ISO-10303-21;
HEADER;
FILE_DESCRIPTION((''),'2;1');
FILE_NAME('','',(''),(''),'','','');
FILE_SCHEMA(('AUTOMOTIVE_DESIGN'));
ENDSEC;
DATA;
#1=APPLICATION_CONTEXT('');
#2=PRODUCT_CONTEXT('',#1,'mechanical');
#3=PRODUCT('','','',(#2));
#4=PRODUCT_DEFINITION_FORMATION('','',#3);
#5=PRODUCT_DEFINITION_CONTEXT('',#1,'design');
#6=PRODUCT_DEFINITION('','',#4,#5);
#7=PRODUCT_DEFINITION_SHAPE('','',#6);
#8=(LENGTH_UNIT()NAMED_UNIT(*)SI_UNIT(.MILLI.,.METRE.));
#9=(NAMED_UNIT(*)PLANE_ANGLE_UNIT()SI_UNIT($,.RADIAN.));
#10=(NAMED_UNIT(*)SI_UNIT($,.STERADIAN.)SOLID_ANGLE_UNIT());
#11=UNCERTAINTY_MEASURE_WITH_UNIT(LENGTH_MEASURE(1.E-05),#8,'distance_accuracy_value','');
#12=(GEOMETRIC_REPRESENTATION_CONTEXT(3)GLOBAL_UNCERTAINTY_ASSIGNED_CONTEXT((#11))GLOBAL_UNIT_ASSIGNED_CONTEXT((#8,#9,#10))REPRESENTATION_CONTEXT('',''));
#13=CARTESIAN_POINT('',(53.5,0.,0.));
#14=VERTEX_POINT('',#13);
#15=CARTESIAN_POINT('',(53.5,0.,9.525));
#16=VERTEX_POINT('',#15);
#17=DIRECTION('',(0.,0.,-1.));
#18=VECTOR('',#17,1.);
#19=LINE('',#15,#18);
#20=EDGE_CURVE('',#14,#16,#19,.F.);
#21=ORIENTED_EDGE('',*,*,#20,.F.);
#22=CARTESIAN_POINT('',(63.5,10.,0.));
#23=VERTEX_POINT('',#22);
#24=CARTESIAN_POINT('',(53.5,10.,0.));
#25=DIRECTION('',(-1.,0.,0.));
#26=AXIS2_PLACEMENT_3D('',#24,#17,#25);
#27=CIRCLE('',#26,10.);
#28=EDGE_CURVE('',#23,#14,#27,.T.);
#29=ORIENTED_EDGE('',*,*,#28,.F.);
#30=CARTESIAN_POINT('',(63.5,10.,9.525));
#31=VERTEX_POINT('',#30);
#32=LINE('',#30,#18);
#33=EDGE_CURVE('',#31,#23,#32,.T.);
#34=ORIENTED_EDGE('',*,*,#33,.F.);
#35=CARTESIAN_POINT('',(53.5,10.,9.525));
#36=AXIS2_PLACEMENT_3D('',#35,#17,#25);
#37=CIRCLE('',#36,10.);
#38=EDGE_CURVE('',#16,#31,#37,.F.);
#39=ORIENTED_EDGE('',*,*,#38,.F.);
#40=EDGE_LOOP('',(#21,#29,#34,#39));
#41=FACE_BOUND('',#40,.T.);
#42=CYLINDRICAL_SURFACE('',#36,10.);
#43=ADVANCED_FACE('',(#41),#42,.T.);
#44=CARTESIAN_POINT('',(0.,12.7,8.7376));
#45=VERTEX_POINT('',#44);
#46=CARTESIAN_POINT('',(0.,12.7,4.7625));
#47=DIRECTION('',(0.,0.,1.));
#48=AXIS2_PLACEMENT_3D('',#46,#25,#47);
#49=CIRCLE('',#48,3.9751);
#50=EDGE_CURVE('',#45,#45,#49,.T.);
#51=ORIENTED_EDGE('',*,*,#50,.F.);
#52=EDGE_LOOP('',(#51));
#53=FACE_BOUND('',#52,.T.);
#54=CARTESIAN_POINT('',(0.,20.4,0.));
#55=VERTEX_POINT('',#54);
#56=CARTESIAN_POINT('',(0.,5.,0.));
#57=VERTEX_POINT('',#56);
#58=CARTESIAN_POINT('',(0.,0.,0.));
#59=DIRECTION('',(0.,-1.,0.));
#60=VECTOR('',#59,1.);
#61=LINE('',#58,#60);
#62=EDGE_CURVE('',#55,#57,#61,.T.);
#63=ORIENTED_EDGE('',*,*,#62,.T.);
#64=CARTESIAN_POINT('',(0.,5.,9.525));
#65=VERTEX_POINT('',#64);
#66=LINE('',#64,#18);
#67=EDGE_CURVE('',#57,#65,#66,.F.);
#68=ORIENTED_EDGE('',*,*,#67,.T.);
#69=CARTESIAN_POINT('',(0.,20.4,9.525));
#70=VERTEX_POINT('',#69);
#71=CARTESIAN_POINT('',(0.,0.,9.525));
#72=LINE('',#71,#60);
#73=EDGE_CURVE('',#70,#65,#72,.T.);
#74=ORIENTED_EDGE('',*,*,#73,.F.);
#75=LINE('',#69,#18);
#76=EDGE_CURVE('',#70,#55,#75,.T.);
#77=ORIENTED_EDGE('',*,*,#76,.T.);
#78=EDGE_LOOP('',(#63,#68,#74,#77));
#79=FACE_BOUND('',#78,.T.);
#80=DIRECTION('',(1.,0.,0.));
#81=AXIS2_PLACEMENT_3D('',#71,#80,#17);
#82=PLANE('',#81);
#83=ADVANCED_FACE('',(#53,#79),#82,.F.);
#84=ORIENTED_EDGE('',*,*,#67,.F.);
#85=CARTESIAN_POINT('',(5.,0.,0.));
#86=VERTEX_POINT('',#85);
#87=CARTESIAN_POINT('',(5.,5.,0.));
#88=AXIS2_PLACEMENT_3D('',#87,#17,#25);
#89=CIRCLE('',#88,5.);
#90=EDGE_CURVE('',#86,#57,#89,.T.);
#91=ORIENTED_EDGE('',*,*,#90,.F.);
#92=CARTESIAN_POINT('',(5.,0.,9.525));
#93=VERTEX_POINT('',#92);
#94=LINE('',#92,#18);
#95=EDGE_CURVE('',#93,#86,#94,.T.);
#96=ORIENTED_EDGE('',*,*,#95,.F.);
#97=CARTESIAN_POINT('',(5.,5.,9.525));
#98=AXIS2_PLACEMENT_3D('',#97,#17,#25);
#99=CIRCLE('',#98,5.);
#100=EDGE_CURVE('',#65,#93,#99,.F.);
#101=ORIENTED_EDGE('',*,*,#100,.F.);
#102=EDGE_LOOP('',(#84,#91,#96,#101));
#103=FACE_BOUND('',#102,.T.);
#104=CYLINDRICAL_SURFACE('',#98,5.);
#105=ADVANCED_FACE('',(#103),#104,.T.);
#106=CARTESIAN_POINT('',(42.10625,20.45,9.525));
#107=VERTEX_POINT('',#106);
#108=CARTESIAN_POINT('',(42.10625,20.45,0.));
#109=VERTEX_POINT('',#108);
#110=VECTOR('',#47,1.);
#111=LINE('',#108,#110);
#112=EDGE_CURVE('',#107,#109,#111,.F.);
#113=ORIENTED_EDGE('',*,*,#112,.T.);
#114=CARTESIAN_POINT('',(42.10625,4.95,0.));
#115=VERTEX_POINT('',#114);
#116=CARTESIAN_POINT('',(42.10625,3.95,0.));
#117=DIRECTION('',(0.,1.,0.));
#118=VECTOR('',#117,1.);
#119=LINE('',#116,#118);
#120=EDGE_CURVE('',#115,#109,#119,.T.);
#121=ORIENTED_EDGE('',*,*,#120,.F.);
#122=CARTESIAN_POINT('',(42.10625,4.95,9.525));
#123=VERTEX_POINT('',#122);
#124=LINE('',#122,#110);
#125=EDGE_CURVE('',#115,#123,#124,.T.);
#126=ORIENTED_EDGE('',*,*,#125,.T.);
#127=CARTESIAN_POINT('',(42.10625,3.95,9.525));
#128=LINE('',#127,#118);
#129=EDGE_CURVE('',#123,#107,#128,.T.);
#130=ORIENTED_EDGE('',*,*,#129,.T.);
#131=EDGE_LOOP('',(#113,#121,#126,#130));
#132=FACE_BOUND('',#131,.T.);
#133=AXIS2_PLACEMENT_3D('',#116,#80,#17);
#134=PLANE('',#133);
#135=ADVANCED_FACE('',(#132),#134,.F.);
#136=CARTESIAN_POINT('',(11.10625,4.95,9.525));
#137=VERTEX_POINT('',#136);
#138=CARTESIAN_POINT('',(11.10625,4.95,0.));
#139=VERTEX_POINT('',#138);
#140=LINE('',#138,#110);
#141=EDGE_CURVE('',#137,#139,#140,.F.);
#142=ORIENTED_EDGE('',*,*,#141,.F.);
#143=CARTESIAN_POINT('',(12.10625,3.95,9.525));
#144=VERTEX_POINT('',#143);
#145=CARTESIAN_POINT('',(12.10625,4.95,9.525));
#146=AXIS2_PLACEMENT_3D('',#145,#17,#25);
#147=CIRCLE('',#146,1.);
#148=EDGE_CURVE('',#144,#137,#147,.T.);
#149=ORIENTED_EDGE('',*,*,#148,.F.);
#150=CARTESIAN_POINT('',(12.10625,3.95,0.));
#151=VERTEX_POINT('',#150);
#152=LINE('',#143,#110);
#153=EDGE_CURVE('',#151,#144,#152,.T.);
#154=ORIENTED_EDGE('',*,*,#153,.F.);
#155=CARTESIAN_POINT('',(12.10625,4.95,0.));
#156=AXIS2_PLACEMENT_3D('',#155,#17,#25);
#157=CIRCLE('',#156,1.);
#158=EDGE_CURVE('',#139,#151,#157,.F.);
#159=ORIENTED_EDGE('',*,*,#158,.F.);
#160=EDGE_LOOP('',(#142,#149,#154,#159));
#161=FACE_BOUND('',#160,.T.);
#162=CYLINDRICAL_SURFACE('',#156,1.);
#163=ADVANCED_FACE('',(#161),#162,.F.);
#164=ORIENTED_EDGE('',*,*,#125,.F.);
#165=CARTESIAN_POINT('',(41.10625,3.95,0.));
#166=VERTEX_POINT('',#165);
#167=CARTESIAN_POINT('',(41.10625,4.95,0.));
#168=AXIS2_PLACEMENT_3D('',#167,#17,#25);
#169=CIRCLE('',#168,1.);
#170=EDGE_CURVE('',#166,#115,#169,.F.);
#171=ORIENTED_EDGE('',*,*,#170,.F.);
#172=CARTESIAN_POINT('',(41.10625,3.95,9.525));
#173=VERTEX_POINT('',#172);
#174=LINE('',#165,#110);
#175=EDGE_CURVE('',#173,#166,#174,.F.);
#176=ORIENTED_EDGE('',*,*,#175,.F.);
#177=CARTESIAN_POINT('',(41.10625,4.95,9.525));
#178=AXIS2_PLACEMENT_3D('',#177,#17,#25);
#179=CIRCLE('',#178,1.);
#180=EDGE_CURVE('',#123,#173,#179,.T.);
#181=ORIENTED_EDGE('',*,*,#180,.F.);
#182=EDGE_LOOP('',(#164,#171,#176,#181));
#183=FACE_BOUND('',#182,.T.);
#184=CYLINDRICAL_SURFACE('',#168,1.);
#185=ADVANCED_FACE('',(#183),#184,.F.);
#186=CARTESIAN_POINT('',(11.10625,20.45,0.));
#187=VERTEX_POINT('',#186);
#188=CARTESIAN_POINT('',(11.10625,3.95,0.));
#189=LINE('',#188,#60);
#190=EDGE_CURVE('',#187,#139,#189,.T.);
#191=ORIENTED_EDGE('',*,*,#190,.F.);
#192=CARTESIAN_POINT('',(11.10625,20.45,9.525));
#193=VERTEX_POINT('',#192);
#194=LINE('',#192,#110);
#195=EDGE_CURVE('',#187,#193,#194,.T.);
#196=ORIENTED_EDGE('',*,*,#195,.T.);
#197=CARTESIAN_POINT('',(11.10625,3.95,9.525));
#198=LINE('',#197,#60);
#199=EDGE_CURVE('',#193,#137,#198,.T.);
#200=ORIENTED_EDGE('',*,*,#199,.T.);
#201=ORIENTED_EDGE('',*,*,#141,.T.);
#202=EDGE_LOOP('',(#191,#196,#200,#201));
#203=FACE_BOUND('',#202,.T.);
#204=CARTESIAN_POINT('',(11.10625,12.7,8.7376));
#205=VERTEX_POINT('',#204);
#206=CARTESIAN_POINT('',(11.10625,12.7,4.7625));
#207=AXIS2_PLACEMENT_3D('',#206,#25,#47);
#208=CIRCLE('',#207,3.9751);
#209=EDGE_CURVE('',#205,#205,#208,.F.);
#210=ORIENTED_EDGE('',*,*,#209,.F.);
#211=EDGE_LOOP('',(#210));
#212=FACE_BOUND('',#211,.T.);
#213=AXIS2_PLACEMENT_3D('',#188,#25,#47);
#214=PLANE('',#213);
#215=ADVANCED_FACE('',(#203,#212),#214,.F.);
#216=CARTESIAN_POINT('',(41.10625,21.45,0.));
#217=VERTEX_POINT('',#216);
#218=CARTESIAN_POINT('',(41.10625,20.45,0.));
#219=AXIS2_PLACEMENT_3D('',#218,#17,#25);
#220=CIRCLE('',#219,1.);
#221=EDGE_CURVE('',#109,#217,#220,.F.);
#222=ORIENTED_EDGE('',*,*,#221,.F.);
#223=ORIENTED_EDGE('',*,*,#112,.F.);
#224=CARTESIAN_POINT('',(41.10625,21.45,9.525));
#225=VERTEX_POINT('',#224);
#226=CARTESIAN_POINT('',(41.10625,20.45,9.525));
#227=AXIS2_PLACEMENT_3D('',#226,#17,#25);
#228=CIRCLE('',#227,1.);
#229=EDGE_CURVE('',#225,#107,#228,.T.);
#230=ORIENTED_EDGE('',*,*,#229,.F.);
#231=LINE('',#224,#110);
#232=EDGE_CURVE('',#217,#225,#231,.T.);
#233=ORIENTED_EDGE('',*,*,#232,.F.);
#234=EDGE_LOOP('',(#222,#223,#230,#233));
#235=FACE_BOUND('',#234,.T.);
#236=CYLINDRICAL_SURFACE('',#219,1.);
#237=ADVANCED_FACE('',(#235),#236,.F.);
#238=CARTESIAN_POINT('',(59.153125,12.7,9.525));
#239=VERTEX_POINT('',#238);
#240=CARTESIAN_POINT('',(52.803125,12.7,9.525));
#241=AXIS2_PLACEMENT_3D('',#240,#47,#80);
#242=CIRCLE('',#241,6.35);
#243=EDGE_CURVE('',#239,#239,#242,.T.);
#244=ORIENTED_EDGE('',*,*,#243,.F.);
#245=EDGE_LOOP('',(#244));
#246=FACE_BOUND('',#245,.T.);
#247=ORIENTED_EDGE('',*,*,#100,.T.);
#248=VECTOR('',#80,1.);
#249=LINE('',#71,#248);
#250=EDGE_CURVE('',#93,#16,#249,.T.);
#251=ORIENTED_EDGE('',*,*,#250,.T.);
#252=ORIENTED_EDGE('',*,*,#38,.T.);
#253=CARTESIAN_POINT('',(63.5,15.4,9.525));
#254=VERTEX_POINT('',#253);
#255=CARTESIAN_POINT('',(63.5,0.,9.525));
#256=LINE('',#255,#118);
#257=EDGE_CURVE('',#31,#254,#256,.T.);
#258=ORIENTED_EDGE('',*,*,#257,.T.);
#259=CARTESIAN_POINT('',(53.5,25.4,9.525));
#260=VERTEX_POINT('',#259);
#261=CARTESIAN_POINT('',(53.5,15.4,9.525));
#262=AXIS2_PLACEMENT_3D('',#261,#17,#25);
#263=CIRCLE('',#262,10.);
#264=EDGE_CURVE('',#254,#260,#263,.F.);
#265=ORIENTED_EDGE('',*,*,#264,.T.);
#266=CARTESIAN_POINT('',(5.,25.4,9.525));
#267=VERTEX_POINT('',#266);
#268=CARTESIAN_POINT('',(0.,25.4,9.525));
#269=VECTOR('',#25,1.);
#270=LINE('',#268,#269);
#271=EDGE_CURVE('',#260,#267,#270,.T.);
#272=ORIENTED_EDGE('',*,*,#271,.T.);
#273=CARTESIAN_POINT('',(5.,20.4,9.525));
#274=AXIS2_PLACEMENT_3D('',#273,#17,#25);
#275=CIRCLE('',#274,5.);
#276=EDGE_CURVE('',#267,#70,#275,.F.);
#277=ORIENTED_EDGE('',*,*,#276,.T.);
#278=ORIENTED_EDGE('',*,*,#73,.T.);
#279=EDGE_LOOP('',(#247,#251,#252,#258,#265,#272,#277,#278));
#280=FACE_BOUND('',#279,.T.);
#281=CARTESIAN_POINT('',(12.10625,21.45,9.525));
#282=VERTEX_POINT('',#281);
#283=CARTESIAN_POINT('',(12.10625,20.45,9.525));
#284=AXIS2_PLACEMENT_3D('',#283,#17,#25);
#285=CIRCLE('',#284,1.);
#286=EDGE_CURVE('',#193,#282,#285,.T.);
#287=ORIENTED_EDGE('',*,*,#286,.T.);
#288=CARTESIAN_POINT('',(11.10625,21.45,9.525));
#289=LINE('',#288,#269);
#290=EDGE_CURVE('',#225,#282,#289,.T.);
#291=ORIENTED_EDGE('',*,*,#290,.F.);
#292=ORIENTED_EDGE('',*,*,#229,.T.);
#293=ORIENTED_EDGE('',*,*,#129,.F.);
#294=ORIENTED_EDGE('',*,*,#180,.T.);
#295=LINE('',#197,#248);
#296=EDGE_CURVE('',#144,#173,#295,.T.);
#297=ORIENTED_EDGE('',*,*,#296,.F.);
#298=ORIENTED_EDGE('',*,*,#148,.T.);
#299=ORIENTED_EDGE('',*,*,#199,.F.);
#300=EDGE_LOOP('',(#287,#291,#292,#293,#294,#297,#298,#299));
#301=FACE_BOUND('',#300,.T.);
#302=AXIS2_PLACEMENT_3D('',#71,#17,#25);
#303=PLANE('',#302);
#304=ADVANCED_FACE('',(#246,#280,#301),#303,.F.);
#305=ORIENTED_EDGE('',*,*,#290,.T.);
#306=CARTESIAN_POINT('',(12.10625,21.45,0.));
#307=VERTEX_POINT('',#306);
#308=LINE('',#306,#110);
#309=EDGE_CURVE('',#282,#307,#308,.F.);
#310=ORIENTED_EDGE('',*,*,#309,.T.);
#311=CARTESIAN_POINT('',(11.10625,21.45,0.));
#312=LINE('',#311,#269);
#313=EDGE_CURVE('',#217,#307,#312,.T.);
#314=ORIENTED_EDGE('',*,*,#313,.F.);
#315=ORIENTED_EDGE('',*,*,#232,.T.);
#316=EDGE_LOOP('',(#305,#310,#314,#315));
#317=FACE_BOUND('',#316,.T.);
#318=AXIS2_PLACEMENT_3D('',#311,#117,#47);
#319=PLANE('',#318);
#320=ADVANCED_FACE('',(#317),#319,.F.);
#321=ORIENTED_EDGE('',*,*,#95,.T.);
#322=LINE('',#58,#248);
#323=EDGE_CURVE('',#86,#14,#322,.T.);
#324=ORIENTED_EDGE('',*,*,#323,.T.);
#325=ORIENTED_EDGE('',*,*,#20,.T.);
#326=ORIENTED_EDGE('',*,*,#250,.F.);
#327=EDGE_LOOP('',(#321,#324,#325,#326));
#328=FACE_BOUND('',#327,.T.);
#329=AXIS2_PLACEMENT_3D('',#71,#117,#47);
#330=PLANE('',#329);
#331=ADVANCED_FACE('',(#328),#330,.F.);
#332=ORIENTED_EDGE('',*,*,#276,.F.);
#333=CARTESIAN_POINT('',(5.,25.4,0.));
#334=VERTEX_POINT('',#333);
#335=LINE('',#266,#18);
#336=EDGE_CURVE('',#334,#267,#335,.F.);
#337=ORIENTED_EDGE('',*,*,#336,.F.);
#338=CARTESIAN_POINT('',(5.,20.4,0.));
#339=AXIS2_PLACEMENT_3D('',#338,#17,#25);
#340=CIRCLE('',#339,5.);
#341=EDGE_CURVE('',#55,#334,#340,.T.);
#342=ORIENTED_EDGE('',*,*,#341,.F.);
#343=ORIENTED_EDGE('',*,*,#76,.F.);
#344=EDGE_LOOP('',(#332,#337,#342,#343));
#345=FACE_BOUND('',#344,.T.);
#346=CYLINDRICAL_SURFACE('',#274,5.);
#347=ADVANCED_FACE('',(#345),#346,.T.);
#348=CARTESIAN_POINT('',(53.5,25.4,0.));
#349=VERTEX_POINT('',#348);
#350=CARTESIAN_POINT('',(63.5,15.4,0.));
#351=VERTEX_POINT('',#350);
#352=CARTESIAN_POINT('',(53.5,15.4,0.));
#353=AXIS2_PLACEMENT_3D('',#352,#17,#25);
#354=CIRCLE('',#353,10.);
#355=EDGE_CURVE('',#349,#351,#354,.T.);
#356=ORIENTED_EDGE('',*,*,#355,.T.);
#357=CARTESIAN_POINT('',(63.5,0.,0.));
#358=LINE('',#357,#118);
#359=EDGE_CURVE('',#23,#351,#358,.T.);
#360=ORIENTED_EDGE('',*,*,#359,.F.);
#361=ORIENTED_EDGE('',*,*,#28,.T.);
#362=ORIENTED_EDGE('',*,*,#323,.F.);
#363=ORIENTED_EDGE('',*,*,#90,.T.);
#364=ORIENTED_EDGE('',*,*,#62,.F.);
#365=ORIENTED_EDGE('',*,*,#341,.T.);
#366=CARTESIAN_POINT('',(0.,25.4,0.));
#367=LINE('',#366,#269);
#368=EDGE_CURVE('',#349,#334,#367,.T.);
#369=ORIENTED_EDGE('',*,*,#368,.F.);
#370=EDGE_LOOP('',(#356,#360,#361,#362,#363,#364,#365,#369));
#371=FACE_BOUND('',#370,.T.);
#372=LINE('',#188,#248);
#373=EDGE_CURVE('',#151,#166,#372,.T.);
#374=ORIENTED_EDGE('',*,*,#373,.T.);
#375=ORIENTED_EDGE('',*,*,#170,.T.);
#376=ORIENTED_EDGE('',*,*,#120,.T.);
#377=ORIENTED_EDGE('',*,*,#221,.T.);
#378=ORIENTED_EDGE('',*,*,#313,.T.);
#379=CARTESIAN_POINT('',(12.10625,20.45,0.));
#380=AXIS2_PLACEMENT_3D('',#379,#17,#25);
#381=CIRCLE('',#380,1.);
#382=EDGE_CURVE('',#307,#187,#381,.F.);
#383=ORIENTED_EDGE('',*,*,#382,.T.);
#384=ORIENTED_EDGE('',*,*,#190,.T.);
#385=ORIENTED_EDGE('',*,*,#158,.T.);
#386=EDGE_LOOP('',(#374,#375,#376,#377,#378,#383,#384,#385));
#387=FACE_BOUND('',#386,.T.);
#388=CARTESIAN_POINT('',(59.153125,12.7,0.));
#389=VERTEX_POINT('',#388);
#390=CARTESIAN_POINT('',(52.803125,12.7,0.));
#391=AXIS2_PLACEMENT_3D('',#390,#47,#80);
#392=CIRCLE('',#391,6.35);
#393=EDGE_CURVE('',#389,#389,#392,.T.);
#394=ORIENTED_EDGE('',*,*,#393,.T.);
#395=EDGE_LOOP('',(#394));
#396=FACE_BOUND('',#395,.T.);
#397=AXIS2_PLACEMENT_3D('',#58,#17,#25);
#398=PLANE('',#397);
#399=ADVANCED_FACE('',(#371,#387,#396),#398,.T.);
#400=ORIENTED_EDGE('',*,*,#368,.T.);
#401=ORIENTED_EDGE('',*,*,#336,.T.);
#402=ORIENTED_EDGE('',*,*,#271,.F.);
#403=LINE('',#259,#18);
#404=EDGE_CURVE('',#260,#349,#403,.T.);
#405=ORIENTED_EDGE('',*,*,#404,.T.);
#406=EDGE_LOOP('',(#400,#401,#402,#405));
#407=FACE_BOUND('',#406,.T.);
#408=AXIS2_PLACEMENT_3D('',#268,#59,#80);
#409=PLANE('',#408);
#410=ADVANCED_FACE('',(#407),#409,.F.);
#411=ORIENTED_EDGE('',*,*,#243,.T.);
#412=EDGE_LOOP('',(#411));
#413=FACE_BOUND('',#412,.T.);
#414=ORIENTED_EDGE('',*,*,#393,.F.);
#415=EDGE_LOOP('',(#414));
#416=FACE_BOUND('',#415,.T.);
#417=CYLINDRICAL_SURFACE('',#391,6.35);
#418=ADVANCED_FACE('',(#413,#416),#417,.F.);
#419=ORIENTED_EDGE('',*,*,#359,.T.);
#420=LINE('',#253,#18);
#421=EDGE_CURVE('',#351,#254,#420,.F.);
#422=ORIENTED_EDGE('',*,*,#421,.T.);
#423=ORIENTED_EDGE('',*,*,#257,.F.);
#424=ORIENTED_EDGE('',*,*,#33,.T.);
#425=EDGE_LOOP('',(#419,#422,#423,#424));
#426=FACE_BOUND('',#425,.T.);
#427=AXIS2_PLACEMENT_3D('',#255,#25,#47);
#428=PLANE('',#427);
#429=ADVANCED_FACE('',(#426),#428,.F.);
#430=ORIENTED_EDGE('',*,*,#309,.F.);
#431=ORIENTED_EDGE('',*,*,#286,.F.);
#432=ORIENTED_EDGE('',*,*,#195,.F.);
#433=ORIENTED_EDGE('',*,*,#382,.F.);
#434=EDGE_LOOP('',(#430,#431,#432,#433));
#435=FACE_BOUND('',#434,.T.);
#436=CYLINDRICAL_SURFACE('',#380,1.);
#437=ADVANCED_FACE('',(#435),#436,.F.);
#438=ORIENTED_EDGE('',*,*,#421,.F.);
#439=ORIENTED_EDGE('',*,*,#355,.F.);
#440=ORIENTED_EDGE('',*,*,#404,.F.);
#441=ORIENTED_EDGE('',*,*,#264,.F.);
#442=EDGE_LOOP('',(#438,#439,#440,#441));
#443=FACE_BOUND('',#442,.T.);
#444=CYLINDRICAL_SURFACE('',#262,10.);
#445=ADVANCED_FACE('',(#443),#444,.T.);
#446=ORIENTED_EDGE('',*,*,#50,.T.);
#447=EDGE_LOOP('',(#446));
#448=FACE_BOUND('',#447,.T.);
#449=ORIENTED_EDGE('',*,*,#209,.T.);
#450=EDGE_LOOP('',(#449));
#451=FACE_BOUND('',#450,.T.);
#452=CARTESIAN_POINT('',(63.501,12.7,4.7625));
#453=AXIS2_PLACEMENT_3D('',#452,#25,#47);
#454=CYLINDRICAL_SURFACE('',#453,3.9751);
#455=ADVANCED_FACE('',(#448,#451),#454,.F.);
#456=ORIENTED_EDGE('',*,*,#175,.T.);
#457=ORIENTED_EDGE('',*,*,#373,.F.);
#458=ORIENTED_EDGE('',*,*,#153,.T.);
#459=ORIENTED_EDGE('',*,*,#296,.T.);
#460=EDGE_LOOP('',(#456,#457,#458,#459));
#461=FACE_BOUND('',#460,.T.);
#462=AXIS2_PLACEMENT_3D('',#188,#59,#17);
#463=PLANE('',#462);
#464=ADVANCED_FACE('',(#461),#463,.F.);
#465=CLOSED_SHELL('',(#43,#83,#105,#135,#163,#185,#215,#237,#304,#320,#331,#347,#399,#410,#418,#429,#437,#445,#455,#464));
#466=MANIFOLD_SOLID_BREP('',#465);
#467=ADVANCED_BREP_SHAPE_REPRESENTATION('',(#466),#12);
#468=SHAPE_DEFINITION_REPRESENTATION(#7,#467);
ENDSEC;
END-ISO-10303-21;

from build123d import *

# Parameters (mm, degrees)
SKETCH1_W           = 63.5
SKETCH1_H           = 25.4
BOSS_EXTRUDE1_DEPTH = 9.525
SKETCH5_R           = 6.35
SKETCH5_W           = 31
SKETCH5_H           = 17.5
CUT_EXTRUDE3_DEPTH  = 10.525
CUT_EXTRUDE2_REACH  = 65.5
SKETCH4_R           = 3.9751
FILLET4_R           = 10
FILLET5_R           = 5
FILLET6_R           = 1


with BuildPart() as part:
    # Sketch1 → Boss-Extrude1 (new body)
    with BuildSketch(Plane.XY):
        with Locations((31.75, 12.7)):
            Rectangle(SKETCH1_W, SKETCH1_H)
    extrude(amount=BOSS_EXTRUDE1_DEPTH)

    # Sketch5 → Cut-Extrude3 (cut, through all)
    with BuildSketch(Plane.XY.offset(9.525)):
        with Locations((52.803125, 12.7)):
            Circle(SKETCH5_R)
        with Locations((26.60625, 12.7)):
            Rectangle(SKETCH5_W, SKETCH5_H)
    extrude(amount=-CUT_EXTRUDE3_DEPTH, mode=Mode.SUBTRACT)

    # Sketch4 → Cut-Extrude2 (cut, up to next)
    with BuildSketch(Plane.ZY, mode=Mode.PRIVATE) as cut_extrude2_sk1:
        with Locations((4.7625, 12.7)):
            Circle(SKETCH4_R)
    cut_extrude2_tool1 = extrude(cut_extrude2_sk1.sketch, amount=-CUT_EXTRUDE2_REACH, mode=Mode.PRIVATE) & part.part
    add(cut_extrude2_tool1.solids().sort_by_distance((0, 12.7, 4.7625))[0], mode=Mode.SUBTRACT)

    # Fillet4
    fillet4_edges = [part.edges().sort_by_distance(p)[0] for p in [
        (63.5, 25.4, 4.7625),
        (63.5, 0, 4.7625),
    ]]
    fillet(fillet4_edges, radius=FILLET4_R)

    # Fillet5
    fillet5_edges = [part.edges().sort_by_distance(p)[0] for p in [
        (0, 25.4, 4.7625),
        (0, 0, 4.7625),
    ]]
    fillet(fillet5_edges, radius=FILLET5_R)

    # Fillet6
    fillet6_edges = [part.edges().sort_by_distance(p)[0] for p in [
        (42.10625, 21.45, 4.7625),
        (42.10625, 3.95, 4.7625),
        (11.10625, 3.95, 4.7625),
        (11.10625, 21.45, 4.7625),
    ]]
    fillet(fillet6_edges, radius=FILLET6_R)


solid = part.part
